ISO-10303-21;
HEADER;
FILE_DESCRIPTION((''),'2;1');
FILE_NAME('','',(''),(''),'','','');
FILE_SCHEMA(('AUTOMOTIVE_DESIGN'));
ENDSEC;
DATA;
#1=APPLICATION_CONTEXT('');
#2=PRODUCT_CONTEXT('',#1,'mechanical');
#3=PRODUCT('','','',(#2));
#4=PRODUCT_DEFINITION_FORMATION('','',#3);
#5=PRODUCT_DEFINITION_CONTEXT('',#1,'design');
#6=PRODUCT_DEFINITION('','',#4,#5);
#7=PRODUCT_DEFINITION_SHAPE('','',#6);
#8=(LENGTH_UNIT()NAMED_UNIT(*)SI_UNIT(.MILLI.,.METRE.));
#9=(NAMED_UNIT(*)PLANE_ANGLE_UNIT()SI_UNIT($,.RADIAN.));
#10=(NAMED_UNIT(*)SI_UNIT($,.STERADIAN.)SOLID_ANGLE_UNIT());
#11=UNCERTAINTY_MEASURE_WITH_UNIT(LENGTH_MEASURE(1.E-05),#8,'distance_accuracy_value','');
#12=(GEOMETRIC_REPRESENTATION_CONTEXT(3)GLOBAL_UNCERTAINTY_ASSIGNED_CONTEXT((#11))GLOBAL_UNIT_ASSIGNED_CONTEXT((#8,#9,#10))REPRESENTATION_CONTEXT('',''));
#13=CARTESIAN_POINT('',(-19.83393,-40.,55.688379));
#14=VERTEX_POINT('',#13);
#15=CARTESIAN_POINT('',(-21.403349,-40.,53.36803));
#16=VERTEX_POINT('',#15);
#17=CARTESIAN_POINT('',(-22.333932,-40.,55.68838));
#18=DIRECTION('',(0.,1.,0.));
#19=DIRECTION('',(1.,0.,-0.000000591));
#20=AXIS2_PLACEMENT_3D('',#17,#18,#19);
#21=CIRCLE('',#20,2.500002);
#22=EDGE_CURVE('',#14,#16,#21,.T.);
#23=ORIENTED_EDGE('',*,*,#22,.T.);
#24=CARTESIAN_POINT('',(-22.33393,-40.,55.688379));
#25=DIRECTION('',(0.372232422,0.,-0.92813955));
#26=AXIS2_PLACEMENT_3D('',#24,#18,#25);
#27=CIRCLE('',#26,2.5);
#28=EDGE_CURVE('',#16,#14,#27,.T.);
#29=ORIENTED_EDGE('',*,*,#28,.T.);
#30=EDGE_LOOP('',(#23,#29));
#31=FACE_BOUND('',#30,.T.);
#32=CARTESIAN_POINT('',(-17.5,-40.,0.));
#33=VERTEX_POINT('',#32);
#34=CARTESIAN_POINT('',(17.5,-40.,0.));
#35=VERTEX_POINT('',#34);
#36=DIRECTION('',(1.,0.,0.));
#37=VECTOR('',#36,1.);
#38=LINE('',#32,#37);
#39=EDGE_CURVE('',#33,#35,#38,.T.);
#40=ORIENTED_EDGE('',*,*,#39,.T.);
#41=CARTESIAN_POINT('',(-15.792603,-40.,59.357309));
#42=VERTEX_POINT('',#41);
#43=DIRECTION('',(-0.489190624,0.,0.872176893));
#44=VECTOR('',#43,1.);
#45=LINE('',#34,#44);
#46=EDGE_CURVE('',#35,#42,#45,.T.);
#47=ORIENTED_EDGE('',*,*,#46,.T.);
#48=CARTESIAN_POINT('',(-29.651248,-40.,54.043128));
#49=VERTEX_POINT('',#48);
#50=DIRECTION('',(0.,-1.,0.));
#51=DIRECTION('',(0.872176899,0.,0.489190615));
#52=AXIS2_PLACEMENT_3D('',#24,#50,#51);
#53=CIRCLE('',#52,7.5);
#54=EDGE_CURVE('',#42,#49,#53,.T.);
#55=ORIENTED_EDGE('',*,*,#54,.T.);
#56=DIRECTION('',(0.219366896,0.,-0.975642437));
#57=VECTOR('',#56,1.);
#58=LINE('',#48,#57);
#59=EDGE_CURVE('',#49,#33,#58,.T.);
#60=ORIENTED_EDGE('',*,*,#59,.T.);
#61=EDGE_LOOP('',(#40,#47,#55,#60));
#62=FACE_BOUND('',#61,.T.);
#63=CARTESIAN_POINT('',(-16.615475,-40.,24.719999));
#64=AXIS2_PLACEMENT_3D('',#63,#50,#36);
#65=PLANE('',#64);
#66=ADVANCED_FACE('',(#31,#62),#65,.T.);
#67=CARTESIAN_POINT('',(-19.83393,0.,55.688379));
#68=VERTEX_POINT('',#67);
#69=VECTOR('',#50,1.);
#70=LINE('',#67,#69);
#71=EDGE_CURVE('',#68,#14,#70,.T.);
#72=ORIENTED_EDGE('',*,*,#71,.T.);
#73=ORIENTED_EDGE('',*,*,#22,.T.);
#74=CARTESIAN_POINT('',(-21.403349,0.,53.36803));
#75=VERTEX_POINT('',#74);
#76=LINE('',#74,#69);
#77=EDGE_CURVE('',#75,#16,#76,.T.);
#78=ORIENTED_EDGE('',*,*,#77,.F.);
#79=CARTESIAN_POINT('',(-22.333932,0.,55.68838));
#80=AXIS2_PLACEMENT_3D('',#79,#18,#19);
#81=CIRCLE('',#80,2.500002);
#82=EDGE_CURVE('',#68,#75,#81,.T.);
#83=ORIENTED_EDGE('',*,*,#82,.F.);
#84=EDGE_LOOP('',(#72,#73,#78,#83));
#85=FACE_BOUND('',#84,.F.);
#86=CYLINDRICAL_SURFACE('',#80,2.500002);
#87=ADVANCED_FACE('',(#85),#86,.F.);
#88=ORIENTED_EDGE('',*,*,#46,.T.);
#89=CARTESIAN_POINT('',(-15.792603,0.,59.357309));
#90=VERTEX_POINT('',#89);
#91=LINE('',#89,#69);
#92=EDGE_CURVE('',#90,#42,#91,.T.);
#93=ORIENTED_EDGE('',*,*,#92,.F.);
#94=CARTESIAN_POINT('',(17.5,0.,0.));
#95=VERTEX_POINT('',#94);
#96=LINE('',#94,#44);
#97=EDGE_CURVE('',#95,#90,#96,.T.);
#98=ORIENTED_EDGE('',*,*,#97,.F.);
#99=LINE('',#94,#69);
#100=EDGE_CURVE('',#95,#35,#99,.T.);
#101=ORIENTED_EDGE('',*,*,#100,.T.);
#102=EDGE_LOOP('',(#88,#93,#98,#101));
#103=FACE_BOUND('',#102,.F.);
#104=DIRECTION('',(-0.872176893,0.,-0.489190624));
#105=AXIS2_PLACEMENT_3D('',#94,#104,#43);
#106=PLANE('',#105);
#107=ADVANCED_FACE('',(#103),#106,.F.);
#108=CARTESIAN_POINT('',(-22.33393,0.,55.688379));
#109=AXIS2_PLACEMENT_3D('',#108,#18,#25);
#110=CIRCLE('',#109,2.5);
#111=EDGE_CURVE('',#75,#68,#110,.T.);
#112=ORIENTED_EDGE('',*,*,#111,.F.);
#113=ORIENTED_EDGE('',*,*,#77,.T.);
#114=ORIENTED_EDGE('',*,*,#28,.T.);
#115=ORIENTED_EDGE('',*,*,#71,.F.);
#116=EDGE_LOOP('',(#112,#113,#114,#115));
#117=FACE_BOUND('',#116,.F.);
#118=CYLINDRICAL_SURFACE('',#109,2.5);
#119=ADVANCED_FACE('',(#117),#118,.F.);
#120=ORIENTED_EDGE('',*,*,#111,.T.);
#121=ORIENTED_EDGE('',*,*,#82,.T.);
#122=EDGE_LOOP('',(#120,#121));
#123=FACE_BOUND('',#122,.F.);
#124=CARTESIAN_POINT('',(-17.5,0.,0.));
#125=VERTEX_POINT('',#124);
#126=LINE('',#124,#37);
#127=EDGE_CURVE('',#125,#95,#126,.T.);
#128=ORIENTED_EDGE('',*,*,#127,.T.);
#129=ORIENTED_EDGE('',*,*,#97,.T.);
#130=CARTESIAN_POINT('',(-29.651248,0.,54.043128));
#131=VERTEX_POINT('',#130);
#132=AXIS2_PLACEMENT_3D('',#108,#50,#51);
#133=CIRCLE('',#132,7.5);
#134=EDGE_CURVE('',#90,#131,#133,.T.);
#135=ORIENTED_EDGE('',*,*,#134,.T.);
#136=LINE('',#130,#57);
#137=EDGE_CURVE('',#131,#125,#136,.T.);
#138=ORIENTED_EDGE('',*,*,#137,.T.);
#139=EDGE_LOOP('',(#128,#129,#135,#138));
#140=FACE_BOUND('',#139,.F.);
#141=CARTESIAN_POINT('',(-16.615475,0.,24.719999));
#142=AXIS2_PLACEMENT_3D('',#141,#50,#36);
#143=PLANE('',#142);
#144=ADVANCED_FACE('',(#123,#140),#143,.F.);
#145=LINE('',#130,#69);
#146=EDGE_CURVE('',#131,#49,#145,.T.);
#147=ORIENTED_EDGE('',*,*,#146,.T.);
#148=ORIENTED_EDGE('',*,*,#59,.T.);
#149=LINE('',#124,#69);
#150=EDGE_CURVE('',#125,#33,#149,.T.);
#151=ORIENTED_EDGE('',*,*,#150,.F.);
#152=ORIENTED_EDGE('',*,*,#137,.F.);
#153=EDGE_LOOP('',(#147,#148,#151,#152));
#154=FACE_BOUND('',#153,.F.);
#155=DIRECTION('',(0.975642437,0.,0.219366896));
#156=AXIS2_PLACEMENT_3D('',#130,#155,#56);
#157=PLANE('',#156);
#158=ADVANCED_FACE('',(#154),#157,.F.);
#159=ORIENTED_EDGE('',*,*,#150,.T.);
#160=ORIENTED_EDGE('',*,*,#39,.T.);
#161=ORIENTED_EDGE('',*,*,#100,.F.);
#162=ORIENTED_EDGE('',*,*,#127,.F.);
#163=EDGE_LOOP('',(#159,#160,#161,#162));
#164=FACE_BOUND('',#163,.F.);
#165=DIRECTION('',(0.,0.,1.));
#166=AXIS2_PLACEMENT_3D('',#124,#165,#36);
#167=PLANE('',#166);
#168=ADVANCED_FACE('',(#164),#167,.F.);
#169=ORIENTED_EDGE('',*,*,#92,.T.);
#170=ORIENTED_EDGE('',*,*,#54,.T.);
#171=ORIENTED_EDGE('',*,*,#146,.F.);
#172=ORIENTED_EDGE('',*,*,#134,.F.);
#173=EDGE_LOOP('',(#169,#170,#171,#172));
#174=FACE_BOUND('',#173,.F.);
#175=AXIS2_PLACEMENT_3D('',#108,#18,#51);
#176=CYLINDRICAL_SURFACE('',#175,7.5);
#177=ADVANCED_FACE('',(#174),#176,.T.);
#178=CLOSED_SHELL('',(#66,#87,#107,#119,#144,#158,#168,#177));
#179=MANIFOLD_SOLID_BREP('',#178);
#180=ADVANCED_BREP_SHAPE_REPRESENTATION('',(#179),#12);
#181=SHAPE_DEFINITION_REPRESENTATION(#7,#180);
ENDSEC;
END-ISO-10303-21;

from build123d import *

# Parameters (mm, degrees)
F1_DEPTH = 40


with BuildPart() as f1:
    # F0 (on Front) → F1 (new body)
    with BuildSketch(Plane.XZ):
        with BuildLine():
            Line((-29.651248, 54.043128), (-17.5, 0))
            Line((-17.5, 0), (0, 0))
            Line((0, 0), (-19.542188, 48.727332))
            ThreePointArc((-19.542188, 48.727332), (-25.824579, 49.050204), (-29.651248, 54.043128))
        make_face()
        with BuildLine():
            Line((-19.542188, 48.727332), (0, 0))
            Line((0, 0), (17.5, 0))
            Line((17.5, 0), (-15.792603, 59.357309))
            ThreePointArc((-15.792603, 59.357309), (-15.077555, 57.584434), (-14.83393, 55.688379))
            ThreePointArc((-14.83393, 55.688379), (-16.12152, 51.486478), (-19.542188, 48.727332))
        make_face()
        with BuildLine():
            ThreePointArc((-19.83393, 55.688379), (-24.404733, 57.089013), (-21.403349, 53.36803))
            ThreePointArc((-21.403349, 53.36803), (-20.263127, 54.287746), (-19.83393, 55.688379))
        make_face()
        with BuildLine():
            ThreePointArc((-15.792603, 59.357309), (-25.019199, 62.691188), (-29.651248, 54.043128))
            ThreePointArc((-29.651248, 54.043128), (-25.824579, 49.050204), (-19.542188, 48.727332))
            ThreePointArc((-19.542188, 48.727332), (-16.12152, 51.486478), (-14.83393, 55.688379))
            ThreePointArc((-14.83393, 55.688379), (-15.077555, 57.584434), (-15.792603, 59.357309))
        make_face()
        with BuildLine():
            ThreePointArc((-19.83393, 55.688379), (-20.263127, 54.287746), (-21.403349, 53.36803))
            ThreePointArc((-21.403349, 53.36803), (-24.404733, 57.089013), (-19.83393, 55.688379))
        make_face(mode=Mode.SUBTRACT)
    extrude(amount=F1_DEPTH)


solid = f1.part
